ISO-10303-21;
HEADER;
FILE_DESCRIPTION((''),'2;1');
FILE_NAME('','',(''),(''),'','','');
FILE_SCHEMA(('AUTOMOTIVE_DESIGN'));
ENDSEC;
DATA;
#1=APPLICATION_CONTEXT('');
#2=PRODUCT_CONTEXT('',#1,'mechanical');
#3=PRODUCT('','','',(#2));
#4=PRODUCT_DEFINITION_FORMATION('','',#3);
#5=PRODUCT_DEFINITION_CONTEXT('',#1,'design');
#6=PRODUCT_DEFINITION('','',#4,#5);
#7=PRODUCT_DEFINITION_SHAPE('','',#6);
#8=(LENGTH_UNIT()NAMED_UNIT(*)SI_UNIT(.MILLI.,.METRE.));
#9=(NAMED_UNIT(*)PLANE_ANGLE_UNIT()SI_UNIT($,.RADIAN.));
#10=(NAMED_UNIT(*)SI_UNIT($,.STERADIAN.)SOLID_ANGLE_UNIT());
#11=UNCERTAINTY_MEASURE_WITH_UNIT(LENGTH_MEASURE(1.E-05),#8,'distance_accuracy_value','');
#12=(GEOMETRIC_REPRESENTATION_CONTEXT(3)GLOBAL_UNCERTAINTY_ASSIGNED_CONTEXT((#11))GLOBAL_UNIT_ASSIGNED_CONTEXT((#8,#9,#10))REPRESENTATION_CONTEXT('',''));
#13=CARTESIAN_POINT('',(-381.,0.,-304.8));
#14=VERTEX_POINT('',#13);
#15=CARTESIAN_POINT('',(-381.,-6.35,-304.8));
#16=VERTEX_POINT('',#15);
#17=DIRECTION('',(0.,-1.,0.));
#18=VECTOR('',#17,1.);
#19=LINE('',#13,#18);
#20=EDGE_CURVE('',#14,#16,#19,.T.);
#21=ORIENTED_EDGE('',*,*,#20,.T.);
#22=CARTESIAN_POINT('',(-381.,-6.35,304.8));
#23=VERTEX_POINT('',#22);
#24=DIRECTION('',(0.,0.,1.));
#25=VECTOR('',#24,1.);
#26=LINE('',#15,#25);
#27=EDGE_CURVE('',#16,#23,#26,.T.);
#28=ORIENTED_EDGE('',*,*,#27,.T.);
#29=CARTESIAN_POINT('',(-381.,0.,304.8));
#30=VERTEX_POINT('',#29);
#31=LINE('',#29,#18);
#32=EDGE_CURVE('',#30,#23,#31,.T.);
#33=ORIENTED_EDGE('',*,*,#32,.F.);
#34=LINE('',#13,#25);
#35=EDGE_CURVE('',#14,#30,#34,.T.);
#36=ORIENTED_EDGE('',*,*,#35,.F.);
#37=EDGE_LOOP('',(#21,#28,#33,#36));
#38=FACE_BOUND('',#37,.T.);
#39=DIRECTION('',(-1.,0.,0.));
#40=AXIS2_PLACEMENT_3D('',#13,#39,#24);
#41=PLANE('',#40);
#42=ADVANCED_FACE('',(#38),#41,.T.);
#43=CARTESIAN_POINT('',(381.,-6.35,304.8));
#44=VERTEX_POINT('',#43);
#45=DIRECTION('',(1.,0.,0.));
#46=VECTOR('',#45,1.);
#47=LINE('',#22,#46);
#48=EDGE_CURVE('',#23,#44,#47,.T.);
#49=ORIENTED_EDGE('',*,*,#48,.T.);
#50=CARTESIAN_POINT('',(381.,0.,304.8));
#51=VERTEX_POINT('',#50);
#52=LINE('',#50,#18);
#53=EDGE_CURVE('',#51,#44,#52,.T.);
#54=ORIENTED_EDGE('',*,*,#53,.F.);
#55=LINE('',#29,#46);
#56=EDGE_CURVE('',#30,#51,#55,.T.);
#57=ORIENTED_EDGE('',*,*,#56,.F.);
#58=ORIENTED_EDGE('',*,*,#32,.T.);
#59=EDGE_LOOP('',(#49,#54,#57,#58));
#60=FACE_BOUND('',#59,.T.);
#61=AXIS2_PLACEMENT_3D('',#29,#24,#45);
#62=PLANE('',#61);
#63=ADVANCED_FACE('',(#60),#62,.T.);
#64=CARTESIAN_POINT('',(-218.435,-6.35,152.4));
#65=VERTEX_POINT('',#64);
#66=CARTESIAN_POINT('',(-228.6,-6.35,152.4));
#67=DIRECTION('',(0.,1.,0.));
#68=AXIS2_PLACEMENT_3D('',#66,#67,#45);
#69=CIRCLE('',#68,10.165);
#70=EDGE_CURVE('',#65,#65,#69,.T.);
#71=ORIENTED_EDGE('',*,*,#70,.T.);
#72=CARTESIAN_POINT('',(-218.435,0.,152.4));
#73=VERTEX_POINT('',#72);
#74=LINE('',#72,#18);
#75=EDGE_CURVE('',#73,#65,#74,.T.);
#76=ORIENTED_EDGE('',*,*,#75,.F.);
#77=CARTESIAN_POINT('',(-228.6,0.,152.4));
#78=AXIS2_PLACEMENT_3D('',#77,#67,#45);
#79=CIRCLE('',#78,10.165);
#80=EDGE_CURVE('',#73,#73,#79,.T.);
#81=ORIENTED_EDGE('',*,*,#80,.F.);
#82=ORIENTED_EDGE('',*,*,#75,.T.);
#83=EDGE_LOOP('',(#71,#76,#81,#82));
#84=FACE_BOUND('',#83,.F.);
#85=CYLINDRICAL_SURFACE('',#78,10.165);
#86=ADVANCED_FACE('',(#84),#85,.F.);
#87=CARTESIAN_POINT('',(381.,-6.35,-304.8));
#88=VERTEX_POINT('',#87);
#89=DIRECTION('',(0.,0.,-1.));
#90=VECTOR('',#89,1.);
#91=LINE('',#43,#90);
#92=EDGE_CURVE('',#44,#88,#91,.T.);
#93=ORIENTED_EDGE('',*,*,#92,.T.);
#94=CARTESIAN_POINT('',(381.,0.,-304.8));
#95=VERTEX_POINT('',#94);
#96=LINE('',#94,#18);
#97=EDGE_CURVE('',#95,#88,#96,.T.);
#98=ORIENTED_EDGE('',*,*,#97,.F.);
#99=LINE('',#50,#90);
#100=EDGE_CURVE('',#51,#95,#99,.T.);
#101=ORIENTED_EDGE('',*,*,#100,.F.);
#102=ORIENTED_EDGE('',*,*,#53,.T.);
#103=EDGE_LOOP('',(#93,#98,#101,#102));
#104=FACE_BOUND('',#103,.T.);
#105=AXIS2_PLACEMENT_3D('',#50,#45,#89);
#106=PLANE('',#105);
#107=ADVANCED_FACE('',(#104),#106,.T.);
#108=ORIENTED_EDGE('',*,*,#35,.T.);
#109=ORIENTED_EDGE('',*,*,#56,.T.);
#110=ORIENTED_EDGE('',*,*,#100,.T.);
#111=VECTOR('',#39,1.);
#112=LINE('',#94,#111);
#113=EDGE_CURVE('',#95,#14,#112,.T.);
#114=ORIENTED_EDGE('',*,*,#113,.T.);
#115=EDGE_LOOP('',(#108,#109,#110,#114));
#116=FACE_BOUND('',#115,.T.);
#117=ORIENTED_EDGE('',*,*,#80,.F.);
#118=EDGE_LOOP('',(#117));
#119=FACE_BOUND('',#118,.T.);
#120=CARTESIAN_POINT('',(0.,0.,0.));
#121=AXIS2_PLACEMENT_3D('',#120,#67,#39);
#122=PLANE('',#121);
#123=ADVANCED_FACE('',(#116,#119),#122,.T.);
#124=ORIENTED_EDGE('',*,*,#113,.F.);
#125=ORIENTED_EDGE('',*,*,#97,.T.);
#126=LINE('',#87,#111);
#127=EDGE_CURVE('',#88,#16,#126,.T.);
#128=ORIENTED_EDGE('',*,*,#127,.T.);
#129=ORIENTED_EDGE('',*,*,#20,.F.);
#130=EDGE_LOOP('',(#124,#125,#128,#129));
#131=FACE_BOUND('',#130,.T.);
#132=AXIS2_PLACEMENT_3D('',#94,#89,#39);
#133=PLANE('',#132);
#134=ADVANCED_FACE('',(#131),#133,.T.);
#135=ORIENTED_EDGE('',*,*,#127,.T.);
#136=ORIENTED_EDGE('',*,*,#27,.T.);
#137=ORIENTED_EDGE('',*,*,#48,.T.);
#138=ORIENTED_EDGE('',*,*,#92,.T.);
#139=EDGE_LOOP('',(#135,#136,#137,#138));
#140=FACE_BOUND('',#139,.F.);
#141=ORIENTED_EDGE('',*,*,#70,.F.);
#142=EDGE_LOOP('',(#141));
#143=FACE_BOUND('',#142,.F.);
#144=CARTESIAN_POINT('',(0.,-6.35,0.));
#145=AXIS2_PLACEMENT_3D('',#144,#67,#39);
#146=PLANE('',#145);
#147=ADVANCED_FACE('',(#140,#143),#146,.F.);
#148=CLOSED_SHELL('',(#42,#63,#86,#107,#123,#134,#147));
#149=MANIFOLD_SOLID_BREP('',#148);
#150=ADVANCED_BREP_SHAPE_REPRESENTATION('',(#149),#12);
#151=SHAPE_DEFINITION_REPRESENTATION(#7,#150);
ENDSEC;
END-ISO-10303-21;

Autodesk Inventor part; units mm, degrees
ref_plane "YZ Plane" through (0, 0, 0) normal (1, 0, 0) x (0, 1, 0)
ref_plane "XZ Plane" through (0, 0, 0) normal (0, 1, 0) x (-1, 0, 0)
ref_plane "XY Plane" through (0, 0, 0) normal (0, 0, 1) x (1, 0, 0)
sketch "Sketch1" plane through (0, 0, 0) normal (0, 1, 0) x (-1, 0, 0)
  line L0 (-381, 304.8) -> (-381, -304.8)
  line L1 (-381, -304.8) -> (381, -304.8)
  line L2 (381, -304.8) -> (381, 304.8)
  line L3 (381, 304.8) -> (-381, 304.8)
  line L4 (-381, 304.8) -> (381, -304.8) construction
  line L5 (-381, -304.8) -> (381, 304.8) construction
  point P0 (0, 0)
  dimension "width" = 609.6
  dimension "length" = 762
extrude "Extrusion1" add sketch "Sketch1" against normal blind 6.35
sketch "Sketch9" plane through (0, 0, 0) normal (0, 1, 0) x (1, 0, 0)
  circle A0 centre (-228.6, -152.4) radius 10.165
  line L0 (-381, -304.8) -> (381, -304.8) projected
  line L1 (-381, 304.8) -> (-381, -304.8) projected
  point P0 (0, 0)
  point P1 (374.65, -304.8)
  point P2 (-381, 298.45)
  dimension "d38" = 152.4
  dimension "d39" = 152.4
extrude "Extrusion3" cut sketch "Sketch9" against normal through all
properties part number "ShooterBaseV02" material "Wood (Birch)"
